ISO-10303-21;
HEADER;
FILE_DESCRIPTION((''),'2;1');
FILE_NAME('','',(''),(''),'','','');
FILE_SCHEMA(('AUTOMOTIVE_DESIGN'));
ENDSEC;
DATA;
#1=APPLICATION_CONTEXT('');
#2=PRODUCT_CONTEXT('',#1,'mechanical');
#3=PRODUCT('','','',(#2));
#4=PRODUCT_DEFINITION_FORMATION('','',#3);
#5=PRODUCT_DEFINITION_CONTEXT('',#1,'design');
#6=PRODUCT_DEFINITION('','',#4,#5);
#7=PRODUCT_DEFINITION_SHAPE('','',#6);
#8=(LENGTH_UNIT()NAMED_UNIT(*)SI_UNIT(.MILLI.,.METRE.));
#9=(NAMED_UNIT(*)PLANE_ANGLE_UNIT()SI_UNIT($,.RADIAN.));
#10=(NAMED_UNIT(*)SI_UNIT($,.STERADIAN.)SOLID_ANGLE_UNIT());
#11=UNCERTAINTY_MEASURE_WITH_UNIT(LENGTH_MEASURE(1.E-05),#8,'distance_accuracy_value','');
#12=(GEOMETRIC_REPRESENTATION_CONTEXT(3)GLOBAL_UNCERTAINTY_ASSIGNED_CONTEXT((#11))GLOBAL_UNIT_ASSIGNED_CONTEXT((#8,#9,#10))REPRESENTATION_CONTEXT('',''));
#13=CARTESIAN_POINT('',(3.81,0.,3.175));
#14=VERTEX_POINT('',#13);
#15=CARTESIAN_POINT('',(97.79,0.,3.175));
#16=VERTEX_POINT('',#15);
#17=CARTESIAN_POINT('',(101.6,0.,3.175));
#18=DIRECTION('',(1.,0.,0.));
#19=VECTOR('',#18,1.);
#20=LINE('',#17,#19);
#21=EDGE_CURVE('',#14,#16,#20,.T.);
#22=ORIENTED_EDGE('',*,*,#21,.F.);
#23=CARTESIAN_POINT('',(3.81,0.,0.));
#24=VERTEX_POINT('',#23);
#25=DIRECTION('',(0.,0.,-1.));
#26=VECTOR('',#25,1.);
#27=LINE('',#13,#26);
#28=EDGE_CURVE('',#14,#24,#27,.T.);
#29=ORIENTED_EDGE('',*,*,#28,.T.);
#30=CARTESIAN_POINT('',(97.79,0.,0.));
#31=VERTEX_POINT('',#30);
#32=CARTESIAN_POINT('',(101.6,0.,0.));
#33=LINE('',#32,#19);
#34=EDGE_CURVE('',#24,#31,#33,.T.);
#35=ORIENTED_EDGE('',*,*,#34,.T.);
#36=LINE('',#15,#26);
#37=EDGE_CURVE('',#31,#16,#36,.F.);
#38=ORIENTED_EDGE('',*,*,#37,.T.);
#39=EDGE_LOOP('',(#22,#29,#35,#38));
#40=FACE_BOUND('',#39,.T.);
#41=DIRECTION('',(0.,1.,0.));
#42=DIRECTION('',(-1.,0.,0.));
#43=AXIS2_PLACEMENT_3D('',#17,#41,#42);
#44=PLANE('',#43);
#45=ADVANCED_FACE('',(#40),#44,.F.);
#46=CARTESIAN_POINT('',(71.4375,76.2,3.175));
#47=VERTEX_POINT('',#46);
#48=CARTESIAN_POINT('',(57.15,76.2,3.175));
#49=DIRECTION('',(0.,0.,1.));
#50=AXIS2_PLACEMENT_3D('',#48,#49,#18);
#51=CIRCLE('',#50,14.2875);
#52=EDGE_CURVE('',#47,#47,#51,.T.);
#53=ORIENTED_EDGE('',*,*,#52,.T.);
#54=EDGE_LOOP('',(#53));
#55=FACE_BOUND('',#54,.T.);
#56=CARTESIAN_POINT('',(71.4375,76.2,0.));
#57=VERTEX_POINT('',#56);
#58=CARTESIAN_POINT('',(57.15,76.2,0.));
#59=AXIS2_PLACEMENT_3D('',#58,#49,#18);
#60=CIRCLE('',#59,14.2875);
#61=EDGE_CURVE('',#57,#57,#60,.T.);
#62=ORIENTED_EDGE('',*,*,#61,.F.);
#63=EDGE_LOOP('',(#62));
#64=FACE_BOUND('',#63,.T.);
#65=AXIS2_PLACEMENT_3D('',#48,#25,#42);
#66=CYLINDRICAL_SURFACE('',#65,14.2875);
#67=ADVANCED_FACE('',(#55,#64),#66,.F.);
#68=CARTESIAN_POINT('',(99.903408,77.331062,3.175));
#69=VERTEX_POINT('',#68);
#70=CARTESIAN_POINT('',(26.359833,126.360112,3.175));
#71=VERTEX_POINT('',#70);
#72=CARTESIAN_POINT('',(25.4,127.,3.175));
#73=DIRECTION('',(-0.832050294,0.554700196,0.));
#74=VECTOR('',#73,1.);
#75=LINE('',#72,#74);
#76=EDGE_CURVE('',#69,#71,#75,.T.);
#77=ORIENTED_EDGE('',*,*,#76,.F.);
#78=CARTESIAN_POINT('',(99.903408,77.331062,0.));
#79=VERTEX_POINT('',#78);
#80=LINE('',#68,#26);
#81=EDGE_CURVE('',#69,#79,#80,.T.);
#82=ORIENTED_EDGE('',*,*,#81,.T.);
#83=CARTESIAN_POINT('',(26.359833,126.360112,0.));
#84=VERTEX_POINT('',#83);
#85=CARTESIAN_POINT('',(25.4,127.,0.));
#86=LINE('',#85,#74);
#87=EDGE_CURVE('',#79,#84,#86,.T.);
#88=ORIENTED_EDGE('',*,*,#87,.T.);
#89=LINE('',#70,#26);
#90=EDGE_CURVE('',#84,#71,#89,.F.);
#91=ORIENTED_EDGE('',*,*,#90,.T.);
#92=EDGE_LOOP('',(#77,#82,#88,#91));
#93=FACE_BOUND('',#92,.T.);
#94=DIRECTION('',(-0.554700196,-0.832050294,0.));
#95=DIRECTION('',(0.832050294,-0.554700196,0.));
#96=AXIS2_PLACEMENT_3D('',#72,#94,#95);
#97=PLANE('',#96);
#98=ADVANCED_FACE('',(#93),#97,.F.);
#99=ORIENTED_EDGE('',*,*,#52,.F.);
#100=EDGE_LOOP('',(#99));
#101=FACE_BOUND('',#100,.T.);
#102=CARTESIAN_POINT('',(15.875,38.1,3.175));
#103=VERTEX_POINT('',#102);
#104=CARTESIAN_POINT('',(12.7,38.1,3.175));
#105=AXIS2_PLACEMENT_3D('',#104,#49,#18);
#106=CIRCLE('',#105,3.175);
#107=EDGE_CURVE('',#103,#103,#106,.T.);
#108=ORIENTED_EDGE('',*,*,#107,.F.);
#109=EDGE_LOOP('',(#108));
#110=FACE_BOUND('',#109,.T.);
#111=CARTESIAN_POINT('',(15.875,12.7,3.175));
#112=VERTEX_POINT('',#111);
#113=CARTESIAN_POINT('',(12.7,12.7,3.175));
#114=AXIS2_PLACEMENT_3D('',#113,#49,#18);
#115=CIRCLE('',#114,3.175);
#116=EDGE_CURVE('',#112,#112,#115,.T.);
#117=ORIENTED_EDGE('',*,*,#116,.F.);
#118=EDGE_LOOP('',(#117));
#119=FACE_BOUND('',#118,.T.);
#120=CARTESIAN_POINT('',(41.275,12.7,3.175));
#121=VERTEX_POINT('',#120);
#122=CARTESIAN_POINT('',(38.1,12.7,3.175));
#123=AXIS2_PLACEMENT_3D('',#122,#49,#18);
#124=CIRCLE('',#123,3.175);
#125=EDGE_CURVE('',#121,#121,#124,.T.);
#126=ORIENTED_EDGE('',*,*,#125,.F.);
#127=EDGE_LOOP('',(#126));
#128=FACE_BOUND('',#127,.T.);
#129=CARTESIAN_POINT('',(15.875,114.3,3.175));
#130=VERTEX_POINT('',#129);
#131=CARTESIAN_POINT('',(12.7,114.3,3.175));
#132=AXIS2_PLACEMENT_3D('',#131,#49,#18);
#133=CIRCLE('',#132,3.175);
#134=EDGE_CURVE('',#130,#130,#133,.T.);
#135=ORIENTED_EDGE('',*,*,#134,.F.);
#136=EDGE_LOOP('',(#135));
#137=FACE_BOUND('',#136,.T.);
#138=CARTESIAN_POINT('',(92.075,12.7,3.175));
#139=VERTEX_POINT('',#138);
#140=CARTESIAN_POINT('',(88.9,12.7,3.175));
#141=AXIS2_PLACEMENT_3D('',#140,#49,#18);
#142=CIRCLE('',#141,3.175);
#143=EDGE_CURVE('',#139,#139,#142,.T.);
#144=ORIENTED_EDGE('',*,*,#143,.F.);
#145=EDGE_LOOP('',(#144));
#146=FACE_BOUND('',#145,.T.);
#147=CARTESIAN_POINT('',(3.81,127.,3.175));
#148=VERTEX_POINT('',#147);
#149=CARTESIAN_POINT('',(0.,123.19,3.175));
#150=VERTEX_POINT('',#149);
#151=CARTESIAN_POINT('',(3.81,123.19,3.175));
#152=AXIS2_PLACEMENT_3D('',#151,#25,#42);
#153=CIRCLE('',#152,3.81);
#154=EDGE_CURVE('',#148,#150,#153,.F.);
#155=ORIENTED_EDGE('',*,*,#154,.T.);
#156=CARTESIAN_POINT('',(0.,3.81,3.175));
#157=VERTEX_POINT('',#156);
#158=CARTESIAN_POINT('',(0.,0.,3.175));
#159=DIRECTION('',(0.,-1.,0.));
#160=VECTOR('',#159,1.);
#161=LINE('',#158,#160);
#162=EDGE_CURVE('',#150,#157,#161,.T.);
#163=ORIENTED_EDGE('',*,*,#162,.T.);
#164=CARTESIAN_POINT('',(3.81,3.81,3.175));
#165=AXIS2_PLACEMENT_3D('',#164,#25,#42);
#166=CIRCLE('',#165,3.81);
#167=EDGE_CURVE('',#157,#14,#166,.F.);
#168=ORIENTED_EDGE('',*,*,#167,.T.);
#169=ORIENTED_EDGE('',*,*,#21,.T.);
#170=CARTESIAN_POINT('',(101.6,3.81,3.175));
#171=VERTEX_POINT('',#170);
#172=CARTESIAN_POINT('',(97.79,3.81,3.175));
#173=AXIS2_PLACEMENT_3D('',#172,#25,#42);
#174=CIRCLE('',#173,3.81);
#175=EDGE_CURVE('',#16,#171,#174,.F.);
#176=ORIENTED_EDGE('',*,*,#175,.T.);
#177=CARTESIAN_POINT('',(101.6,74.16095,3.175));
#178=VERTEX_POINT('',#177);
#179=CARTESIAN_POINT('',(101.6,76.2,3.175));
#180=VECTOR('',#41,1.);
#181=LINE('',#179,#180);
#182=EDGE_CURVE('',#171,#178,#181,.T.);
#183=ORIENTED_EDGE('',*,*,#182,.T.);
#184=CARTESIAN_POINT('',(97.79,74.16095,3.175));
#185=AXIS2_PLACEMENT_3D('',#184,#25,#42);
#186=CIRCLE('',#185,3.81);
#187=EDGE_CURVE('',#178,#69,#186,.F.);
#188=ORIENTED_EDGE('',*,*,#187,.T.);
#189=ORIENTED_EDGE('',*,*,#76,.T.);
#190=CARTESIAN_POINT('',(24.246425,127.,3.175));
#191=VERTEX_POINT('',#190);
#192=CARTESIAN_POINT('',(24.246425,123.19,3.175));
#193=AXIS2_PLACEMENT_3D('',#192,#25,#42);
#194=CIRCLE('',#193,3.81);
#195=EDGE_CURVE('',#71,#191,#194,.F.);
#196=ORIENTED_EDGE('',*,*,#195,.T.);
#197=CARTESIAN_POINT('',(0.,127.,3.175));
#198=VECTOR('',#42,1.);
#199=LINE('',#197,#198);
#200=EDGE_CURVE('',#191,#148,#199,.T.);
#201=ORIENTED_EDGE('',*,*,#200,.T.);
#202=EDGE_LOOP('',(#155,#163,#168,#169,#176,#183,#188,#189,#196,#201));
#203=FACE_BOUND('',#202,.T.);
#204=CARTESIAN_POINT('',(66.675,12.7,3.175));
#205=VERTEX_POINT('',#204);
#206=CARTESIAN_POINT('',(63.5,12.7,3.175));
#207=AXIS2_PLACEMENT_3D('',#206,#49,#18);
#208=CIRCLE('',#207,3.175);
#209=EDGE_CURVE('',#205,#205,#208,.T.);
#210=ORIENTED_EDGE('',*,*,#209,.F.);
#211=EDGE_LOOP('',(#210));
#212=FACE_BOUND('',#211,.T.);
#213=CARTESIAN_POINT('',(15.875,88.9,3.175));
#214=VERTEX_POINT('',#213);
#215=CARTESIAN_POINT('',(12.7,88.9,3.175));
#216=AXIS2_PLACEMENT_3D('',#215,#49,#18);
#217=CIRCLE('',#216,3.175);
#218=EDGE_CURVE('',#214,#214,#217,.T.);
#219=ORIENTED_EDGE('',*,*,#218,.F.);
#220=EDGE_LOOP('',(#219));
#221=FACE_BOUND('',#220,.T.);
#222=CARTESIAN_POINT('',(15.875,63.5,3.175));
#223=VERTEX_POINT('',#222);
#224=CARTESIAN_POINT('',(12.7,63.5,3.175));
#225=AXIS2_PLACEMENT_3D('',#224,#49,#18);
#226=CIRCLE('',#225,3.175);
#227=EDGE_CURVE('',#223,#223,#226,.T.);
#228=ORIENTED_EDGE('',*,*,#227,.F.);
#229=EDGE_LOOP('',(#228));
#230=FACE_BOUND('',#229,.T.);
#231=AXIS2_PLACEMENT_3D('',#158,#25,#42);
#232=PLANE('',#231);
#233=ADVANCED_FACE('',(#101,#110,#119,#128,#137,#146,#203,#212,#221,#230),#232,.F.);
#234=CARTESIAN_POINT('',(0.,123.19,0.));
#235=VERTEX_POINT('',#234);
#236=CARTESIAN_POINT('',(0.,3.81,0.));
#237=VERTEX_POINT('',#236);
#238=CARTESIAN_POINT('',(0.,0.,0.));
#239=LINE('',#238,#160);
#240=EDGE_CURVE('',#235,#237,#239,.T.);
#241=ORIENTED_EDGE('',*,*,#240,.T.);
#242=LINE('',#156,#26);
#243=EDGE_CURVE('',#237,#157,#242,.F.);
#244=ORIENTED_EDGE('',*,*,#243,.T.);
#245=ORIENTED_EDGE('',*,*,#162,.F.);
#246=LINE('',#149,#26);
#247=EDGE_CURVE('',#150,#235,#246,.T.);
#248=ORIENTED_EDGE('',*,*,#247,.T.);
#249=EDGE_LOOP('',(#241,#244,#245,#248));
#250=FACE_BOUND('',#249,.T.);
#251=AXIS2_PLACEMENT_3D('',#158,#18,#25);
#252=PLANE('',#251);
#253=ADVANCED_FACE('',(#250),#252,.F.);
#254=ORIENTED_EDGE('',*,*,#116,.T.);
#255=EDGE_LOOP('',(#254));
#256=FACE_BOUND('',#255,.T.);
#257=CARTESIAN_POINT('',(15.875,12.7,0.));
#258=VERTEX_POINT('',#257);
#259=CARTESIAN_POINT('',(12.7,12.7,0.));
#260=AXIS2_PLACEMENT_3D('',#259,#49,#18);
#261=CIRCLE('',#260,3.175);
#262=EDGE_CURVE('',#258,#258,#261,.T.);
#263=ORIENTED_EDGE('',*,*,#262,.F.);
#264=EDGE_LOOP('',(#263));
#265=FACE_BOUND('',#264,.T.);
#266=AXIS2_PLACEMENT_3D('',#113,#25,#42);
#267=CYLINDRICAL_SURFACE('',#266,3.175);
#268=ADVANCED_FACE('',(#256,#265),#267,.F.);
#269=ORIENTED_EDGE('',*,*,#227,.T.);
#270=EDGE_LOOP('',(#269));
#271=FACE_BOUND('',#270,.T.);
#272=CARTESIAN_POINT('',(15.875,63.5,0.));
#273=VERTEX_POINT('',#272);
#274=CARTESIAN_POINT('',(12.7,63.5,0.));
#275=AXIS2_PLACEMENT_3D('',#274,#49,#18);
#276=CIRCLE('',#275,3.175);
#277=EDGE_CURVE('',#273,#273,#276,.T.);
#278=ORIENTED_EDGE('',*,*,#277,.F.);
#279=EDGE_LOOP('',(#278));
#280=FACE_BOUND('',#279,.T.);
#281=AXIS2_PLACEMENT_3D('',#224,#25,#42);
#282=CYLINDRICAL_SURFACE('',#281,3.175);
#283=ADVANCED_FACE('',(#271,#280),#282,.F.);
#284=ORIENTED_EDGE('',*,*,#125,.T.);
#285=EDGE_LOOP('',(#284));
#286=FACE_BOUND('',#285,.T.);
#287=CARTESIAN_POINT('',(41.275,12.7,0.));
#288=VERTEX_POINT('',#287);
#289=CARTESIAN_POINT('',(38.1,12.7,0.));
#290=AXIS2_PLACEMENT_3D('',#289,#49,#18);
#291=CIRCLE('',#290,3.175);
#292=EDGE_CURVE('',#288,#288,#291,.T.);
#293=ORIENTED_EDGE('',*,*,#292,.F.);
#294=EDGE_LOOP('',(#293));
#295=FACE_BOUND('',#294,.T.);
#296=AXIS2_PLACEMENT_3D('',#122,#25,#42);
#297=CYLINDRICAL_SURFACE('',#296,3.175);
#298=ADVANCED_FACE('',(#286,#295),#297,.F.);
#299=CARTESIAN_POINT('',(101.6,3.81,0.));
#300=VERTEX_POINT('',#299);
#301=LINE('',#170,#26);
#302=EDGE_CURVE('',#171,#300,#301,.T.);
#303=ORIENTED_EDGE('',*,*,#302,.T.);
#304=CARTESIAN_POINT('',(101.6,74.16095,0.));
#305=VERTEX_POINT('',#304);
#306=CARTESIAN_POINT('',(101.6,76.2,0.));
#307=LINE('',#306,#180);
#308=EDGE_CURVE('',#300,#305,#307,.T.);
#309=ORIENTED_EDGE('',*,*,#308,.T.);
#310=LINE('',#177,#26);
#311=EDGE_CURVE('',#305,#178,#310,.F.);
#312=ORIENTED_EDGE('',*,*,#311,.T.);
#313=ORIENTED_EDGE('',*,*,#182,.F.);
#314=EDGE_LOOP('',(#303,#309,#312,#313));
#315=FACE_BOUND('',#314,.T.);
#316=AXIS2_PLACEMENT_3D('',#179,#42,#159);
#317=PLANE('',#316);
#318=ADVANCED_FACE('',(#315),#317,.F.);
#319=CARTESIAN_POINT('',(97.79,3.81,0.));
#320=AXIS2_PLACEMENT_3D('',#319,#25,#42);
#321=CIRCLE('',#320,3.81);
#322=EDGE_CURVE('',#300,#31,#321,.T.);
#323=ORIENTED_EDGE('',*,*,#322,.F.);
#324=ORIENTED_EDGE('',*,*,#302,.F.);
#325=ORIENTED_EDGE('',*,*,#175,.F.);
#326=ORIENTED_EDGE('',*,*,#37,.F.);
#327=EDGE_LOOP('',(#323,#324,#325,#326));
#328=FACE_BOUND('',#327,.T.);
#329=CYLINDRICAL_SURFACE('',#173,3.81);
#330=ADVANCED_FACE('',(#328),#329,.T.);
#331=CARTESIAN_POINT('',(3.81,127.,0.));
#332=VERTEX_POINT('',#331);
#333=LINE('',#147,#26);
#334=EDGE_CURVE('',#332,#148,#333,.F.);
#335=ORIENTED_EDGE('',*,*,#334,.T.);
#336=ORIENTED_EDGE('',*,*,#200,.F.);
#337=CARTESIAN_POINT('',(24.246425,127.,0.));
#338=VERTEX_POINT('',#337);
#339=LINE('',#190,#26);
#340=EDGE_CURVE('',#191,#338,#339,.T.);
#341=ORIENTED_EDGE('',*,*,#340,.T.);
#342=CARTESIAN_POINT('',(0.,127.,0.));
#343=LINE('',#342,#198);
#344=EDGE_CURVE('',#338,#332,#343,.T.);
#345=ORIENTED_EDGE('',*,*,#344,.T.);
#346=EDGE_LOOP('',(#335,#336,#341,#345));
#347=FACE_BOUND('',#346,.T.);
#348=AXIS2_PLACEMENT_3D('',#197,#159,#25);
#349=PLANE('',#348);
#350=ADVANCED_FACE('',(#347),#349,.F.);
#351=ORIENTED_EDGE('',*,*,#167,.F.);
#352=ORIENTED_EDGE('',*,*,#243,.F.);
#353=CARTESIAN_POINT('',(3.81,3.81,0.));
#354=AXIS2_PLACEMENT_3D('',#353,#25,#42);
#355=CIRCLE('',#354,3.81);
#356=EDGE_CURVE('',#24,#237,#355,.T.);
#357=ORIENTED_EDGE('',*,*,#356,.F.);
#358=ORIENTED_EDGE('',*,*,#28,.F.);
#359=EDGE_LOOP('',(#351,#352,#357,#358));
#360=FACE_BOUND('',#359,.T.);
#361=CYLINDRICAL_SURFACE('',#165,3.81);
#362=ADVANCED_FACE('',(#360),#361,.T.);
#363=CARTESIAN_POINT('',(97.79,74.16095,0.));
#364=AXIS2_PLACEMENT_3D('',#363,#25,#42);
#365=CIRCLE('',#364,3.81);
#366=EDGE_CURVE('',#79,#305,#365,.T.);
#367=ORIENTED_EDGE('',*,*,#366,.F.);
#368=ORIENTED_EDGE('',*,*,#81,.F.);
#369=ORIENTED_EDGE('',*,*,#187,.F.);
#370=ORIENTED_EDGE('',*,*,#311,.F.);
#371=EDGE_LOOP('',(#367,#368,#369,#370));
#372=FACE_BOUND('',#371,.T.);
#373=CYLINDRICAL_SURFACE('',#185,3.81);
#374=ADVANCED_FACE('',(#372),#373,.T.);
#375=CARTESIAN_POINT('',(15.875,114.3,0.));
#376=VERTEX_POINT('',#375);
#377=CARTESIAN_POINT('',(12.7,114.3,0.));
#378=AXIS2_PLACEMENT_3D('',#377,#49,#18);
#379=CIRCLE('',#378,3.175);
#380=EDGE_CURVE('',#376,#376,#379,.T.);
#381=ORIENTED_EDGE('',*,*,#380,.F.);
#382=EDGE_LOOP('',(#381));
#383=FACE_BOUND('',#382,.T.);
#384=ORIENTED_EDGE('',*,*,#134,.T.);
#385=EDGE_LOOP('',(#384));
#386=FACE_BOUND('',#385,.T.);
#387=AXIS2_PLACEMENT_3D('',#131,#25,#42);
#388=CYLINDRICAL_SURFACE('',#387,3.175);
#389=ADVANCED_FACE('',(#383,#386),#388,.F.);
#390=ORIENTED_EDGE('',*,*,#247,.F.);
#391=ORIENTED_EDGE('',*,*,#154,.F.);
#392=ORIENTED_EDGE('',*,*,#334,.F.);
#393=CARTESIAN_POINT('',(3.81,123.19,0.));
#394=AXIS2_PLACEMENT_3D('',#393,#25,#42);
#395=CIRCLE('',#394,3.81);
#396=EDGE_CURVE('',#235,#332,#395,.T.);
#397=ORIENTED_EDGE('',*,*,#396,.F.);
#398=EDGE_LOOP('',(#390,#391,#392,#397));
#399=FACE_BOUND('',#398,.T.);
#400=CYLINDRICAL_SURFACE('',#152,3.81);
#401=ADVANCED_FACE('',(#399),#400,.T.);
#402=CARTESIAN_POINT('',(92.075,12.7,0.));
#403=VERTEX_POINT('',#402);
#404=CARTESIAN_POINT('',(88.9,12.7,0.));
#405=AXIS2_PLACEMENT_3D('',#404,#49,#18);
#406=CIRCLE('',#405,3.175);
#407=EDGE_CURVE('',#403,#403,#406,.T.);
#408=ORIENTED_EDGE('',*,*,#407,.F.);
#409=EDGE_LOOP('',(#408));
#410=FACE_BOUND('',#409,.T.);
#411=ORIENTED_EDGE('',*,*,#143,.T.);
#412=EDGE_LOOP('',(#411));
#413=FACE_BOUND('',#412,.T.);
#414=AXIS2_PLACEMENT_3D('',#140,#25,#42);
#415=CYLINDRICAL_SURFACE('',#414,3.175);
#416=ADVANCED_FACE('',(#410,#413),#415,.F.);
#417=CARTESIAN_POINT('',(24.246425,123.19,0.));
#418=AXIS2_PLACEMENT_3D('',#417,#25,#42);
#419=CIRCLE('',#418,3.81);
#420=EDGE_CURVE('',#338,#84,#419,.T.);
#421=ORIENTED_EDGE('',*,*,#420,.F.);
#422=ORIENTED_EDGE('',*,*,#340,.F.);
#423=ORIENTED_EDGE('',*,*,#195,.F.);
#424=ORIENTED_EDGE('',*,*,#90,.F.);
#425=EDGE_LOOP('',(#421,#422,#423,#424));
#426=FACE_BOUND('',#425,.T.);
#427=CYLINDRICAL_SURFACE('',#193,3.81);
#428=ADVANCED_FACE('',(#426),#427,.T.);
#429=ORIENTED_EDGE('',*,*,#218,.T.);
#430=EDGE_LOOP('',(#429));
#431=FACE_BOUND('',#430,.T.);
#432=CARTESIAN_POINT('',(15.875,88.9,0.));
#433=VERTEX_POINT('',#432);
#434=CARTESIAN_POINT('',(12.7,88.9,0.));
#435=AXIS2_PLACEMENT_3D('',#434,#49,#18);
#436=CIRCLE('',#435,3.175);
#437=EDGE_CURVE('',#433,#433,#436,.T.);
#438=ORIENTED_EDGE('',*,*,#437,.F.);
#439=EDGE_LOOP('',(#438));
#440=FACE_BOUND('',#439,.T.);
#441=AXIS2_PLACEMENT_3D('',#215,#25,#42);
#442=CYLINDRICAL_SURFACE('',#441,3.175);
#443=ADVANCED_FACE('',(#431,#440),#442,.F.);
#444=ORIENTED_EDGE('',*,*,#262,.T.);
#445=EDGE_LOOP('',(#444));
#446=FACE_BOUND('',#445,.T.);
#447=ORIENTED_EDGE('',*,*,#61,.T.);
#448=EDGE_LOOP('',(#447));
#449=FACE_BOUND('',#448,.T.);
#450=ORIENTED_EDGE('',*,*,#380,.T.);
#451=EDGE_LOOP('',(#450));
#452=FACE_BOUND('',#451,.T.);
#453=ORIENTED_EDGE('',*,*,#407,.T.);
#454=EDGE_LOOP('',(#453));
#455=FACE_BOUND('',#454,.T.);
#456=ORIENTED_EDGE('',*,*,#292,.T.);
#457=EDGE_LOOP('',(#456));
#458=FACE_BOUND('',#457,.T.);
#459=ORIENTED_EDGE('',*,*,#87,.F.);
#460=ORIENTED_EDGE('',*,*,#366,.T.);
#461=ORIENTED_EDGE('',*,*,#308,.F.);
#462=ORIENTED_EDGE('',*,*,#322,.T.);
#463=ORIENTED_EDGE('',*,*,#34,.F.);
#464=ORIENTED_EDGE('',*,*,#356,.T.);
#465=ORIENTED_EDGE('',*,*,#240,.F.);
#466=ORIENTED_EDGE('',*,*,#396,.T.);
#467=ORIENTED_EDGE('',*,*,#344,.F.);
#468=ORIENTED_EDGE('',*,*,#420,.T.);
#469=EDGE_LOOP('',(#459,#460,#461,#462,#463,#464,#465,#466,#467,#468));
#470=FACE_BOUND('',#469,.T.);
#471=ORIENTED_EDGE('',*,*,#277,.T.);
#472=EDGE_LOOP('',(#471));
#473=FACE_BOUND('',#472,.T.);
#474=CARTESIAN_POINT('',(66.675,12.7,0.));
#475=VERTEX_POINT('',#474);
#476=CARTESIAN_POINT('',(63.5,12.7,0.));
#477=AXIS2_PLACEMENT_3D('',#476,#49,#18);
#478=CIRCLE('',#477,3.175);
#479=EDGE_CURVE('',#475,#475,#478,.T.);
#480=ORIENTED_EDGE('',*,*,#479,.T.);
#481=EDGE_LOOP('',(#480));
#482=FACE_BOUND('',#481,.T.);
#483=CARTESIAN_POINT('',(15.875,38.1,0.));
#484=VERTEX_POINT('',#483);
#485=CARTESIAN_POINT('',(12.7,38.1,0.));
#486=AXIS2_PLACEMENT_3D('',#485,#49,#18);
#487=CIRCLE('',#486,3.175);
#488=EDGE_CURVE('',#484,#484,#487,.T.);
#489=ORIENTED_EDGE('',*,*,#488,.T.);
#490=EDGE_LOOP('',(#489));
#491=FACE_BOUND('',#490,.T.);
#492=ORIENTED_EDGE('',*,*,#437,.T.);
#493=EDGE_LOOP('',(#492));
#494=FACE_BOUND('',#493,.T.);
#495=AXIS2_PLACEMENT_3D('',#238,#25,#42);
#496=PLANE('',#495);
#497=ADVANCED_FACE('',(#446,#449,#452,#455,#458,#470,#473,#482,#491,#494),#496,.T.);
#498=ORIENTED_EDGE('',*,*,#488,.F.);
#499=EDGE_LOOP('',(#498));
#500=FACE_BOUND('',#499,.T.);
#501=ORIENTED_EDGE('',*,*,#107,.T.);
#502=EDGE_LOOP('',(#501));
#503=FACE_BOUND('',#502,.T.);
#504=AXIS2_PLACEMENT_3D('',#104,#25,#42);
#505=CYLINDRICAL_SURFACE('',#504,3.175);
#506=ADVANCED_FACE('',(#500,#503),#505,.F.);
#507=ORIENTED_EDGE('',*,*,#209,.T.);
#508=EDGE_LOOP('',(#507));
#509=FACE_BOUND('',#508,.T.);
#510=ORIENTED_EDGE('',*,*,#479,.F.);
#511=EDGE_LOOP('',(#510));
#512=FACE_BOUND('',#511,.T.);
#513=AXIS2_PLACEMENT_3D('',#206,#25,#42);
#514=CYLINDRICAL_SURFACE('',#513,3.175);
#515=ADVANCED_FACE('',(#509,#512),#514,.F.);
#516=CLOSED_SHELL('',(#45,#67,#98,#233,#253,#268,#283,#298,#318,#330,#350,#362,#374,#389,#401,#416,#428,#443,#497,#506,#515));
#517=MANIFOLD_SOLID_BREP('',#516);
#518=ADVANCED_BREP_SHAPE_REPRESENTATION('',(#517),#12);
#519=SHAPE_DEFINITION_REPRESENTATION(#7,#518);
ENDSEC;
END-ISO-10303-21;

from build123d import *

# Parameters (mm, degrees)
SKETCH1_R           = 14.2875
SKETCH1_R_2         = 3.175
BOSS_EXTRUDE1_DEPTH = 3.175
FILLET1_R           = 3.81


with BuildPart() as part:
    # Sketch1 → Boss-Extrude1 (new body)
    with BuildSketch(Plane.XY):
        Polygon((0, 0), (0, 127), (25.4, 127), (101.6, 76.2), (101.6, 0), align=None)
        with Locations((57.15, 76.2)):
            Circle(SKETCH1_R, mode=Mode.SUBTRACT)
        with Locations((12.7, 12.7)):
            Circle(SKETCH1_R_2, mode=Mode.SUBTRACT)
        with Locations((38.1, 12.7)):
            Circle(SKETCH1_R_2, mode=Mode.SUBTRACT)
        with Locations((63.5, 12.7)):
            Circle(SKETCH1_R_2, mode=Mode.SUBTRACT)
        with Locations((88.9, 12.7)):
            Circle(SKETCH1_R_2, mode=Mode.SUBTRACT)
        with Locations((12.7, 38.1)):
            Circle(SKETCH1_R_2, mode=Mode.SUBTRACT)
        with Locations((12.7, 63.5)):
            Circle(SKETCH1_R_2, mode=Mode.SUBTRACT)
        with Locations((12.7, 88.9)):
            Circle(SKETCH1_R_2, mode=Mode.SUBTRACT)
        with Locations((12.7, 114.3)):
            Circle(SKETCH1_R_2, mode=Mode.SUBTRACT)
    extrude(amount=BOSS_EXTRUDE1_DEPTH)

    # Fillet1
    fillet1_edges = [part.edges().sort_by_distance(p)[0] for p in [
        (0, 0, 1.5875),
        (0, 127, 1.5875),
        (25.4, 127, 1.5875),
        (101.6, 76.2, 1.5875),
        (101.6, 0, 1.5875),
    ]]
    fillet(fillet1_edges, radius=FILLET1_R)


solid = part.part
